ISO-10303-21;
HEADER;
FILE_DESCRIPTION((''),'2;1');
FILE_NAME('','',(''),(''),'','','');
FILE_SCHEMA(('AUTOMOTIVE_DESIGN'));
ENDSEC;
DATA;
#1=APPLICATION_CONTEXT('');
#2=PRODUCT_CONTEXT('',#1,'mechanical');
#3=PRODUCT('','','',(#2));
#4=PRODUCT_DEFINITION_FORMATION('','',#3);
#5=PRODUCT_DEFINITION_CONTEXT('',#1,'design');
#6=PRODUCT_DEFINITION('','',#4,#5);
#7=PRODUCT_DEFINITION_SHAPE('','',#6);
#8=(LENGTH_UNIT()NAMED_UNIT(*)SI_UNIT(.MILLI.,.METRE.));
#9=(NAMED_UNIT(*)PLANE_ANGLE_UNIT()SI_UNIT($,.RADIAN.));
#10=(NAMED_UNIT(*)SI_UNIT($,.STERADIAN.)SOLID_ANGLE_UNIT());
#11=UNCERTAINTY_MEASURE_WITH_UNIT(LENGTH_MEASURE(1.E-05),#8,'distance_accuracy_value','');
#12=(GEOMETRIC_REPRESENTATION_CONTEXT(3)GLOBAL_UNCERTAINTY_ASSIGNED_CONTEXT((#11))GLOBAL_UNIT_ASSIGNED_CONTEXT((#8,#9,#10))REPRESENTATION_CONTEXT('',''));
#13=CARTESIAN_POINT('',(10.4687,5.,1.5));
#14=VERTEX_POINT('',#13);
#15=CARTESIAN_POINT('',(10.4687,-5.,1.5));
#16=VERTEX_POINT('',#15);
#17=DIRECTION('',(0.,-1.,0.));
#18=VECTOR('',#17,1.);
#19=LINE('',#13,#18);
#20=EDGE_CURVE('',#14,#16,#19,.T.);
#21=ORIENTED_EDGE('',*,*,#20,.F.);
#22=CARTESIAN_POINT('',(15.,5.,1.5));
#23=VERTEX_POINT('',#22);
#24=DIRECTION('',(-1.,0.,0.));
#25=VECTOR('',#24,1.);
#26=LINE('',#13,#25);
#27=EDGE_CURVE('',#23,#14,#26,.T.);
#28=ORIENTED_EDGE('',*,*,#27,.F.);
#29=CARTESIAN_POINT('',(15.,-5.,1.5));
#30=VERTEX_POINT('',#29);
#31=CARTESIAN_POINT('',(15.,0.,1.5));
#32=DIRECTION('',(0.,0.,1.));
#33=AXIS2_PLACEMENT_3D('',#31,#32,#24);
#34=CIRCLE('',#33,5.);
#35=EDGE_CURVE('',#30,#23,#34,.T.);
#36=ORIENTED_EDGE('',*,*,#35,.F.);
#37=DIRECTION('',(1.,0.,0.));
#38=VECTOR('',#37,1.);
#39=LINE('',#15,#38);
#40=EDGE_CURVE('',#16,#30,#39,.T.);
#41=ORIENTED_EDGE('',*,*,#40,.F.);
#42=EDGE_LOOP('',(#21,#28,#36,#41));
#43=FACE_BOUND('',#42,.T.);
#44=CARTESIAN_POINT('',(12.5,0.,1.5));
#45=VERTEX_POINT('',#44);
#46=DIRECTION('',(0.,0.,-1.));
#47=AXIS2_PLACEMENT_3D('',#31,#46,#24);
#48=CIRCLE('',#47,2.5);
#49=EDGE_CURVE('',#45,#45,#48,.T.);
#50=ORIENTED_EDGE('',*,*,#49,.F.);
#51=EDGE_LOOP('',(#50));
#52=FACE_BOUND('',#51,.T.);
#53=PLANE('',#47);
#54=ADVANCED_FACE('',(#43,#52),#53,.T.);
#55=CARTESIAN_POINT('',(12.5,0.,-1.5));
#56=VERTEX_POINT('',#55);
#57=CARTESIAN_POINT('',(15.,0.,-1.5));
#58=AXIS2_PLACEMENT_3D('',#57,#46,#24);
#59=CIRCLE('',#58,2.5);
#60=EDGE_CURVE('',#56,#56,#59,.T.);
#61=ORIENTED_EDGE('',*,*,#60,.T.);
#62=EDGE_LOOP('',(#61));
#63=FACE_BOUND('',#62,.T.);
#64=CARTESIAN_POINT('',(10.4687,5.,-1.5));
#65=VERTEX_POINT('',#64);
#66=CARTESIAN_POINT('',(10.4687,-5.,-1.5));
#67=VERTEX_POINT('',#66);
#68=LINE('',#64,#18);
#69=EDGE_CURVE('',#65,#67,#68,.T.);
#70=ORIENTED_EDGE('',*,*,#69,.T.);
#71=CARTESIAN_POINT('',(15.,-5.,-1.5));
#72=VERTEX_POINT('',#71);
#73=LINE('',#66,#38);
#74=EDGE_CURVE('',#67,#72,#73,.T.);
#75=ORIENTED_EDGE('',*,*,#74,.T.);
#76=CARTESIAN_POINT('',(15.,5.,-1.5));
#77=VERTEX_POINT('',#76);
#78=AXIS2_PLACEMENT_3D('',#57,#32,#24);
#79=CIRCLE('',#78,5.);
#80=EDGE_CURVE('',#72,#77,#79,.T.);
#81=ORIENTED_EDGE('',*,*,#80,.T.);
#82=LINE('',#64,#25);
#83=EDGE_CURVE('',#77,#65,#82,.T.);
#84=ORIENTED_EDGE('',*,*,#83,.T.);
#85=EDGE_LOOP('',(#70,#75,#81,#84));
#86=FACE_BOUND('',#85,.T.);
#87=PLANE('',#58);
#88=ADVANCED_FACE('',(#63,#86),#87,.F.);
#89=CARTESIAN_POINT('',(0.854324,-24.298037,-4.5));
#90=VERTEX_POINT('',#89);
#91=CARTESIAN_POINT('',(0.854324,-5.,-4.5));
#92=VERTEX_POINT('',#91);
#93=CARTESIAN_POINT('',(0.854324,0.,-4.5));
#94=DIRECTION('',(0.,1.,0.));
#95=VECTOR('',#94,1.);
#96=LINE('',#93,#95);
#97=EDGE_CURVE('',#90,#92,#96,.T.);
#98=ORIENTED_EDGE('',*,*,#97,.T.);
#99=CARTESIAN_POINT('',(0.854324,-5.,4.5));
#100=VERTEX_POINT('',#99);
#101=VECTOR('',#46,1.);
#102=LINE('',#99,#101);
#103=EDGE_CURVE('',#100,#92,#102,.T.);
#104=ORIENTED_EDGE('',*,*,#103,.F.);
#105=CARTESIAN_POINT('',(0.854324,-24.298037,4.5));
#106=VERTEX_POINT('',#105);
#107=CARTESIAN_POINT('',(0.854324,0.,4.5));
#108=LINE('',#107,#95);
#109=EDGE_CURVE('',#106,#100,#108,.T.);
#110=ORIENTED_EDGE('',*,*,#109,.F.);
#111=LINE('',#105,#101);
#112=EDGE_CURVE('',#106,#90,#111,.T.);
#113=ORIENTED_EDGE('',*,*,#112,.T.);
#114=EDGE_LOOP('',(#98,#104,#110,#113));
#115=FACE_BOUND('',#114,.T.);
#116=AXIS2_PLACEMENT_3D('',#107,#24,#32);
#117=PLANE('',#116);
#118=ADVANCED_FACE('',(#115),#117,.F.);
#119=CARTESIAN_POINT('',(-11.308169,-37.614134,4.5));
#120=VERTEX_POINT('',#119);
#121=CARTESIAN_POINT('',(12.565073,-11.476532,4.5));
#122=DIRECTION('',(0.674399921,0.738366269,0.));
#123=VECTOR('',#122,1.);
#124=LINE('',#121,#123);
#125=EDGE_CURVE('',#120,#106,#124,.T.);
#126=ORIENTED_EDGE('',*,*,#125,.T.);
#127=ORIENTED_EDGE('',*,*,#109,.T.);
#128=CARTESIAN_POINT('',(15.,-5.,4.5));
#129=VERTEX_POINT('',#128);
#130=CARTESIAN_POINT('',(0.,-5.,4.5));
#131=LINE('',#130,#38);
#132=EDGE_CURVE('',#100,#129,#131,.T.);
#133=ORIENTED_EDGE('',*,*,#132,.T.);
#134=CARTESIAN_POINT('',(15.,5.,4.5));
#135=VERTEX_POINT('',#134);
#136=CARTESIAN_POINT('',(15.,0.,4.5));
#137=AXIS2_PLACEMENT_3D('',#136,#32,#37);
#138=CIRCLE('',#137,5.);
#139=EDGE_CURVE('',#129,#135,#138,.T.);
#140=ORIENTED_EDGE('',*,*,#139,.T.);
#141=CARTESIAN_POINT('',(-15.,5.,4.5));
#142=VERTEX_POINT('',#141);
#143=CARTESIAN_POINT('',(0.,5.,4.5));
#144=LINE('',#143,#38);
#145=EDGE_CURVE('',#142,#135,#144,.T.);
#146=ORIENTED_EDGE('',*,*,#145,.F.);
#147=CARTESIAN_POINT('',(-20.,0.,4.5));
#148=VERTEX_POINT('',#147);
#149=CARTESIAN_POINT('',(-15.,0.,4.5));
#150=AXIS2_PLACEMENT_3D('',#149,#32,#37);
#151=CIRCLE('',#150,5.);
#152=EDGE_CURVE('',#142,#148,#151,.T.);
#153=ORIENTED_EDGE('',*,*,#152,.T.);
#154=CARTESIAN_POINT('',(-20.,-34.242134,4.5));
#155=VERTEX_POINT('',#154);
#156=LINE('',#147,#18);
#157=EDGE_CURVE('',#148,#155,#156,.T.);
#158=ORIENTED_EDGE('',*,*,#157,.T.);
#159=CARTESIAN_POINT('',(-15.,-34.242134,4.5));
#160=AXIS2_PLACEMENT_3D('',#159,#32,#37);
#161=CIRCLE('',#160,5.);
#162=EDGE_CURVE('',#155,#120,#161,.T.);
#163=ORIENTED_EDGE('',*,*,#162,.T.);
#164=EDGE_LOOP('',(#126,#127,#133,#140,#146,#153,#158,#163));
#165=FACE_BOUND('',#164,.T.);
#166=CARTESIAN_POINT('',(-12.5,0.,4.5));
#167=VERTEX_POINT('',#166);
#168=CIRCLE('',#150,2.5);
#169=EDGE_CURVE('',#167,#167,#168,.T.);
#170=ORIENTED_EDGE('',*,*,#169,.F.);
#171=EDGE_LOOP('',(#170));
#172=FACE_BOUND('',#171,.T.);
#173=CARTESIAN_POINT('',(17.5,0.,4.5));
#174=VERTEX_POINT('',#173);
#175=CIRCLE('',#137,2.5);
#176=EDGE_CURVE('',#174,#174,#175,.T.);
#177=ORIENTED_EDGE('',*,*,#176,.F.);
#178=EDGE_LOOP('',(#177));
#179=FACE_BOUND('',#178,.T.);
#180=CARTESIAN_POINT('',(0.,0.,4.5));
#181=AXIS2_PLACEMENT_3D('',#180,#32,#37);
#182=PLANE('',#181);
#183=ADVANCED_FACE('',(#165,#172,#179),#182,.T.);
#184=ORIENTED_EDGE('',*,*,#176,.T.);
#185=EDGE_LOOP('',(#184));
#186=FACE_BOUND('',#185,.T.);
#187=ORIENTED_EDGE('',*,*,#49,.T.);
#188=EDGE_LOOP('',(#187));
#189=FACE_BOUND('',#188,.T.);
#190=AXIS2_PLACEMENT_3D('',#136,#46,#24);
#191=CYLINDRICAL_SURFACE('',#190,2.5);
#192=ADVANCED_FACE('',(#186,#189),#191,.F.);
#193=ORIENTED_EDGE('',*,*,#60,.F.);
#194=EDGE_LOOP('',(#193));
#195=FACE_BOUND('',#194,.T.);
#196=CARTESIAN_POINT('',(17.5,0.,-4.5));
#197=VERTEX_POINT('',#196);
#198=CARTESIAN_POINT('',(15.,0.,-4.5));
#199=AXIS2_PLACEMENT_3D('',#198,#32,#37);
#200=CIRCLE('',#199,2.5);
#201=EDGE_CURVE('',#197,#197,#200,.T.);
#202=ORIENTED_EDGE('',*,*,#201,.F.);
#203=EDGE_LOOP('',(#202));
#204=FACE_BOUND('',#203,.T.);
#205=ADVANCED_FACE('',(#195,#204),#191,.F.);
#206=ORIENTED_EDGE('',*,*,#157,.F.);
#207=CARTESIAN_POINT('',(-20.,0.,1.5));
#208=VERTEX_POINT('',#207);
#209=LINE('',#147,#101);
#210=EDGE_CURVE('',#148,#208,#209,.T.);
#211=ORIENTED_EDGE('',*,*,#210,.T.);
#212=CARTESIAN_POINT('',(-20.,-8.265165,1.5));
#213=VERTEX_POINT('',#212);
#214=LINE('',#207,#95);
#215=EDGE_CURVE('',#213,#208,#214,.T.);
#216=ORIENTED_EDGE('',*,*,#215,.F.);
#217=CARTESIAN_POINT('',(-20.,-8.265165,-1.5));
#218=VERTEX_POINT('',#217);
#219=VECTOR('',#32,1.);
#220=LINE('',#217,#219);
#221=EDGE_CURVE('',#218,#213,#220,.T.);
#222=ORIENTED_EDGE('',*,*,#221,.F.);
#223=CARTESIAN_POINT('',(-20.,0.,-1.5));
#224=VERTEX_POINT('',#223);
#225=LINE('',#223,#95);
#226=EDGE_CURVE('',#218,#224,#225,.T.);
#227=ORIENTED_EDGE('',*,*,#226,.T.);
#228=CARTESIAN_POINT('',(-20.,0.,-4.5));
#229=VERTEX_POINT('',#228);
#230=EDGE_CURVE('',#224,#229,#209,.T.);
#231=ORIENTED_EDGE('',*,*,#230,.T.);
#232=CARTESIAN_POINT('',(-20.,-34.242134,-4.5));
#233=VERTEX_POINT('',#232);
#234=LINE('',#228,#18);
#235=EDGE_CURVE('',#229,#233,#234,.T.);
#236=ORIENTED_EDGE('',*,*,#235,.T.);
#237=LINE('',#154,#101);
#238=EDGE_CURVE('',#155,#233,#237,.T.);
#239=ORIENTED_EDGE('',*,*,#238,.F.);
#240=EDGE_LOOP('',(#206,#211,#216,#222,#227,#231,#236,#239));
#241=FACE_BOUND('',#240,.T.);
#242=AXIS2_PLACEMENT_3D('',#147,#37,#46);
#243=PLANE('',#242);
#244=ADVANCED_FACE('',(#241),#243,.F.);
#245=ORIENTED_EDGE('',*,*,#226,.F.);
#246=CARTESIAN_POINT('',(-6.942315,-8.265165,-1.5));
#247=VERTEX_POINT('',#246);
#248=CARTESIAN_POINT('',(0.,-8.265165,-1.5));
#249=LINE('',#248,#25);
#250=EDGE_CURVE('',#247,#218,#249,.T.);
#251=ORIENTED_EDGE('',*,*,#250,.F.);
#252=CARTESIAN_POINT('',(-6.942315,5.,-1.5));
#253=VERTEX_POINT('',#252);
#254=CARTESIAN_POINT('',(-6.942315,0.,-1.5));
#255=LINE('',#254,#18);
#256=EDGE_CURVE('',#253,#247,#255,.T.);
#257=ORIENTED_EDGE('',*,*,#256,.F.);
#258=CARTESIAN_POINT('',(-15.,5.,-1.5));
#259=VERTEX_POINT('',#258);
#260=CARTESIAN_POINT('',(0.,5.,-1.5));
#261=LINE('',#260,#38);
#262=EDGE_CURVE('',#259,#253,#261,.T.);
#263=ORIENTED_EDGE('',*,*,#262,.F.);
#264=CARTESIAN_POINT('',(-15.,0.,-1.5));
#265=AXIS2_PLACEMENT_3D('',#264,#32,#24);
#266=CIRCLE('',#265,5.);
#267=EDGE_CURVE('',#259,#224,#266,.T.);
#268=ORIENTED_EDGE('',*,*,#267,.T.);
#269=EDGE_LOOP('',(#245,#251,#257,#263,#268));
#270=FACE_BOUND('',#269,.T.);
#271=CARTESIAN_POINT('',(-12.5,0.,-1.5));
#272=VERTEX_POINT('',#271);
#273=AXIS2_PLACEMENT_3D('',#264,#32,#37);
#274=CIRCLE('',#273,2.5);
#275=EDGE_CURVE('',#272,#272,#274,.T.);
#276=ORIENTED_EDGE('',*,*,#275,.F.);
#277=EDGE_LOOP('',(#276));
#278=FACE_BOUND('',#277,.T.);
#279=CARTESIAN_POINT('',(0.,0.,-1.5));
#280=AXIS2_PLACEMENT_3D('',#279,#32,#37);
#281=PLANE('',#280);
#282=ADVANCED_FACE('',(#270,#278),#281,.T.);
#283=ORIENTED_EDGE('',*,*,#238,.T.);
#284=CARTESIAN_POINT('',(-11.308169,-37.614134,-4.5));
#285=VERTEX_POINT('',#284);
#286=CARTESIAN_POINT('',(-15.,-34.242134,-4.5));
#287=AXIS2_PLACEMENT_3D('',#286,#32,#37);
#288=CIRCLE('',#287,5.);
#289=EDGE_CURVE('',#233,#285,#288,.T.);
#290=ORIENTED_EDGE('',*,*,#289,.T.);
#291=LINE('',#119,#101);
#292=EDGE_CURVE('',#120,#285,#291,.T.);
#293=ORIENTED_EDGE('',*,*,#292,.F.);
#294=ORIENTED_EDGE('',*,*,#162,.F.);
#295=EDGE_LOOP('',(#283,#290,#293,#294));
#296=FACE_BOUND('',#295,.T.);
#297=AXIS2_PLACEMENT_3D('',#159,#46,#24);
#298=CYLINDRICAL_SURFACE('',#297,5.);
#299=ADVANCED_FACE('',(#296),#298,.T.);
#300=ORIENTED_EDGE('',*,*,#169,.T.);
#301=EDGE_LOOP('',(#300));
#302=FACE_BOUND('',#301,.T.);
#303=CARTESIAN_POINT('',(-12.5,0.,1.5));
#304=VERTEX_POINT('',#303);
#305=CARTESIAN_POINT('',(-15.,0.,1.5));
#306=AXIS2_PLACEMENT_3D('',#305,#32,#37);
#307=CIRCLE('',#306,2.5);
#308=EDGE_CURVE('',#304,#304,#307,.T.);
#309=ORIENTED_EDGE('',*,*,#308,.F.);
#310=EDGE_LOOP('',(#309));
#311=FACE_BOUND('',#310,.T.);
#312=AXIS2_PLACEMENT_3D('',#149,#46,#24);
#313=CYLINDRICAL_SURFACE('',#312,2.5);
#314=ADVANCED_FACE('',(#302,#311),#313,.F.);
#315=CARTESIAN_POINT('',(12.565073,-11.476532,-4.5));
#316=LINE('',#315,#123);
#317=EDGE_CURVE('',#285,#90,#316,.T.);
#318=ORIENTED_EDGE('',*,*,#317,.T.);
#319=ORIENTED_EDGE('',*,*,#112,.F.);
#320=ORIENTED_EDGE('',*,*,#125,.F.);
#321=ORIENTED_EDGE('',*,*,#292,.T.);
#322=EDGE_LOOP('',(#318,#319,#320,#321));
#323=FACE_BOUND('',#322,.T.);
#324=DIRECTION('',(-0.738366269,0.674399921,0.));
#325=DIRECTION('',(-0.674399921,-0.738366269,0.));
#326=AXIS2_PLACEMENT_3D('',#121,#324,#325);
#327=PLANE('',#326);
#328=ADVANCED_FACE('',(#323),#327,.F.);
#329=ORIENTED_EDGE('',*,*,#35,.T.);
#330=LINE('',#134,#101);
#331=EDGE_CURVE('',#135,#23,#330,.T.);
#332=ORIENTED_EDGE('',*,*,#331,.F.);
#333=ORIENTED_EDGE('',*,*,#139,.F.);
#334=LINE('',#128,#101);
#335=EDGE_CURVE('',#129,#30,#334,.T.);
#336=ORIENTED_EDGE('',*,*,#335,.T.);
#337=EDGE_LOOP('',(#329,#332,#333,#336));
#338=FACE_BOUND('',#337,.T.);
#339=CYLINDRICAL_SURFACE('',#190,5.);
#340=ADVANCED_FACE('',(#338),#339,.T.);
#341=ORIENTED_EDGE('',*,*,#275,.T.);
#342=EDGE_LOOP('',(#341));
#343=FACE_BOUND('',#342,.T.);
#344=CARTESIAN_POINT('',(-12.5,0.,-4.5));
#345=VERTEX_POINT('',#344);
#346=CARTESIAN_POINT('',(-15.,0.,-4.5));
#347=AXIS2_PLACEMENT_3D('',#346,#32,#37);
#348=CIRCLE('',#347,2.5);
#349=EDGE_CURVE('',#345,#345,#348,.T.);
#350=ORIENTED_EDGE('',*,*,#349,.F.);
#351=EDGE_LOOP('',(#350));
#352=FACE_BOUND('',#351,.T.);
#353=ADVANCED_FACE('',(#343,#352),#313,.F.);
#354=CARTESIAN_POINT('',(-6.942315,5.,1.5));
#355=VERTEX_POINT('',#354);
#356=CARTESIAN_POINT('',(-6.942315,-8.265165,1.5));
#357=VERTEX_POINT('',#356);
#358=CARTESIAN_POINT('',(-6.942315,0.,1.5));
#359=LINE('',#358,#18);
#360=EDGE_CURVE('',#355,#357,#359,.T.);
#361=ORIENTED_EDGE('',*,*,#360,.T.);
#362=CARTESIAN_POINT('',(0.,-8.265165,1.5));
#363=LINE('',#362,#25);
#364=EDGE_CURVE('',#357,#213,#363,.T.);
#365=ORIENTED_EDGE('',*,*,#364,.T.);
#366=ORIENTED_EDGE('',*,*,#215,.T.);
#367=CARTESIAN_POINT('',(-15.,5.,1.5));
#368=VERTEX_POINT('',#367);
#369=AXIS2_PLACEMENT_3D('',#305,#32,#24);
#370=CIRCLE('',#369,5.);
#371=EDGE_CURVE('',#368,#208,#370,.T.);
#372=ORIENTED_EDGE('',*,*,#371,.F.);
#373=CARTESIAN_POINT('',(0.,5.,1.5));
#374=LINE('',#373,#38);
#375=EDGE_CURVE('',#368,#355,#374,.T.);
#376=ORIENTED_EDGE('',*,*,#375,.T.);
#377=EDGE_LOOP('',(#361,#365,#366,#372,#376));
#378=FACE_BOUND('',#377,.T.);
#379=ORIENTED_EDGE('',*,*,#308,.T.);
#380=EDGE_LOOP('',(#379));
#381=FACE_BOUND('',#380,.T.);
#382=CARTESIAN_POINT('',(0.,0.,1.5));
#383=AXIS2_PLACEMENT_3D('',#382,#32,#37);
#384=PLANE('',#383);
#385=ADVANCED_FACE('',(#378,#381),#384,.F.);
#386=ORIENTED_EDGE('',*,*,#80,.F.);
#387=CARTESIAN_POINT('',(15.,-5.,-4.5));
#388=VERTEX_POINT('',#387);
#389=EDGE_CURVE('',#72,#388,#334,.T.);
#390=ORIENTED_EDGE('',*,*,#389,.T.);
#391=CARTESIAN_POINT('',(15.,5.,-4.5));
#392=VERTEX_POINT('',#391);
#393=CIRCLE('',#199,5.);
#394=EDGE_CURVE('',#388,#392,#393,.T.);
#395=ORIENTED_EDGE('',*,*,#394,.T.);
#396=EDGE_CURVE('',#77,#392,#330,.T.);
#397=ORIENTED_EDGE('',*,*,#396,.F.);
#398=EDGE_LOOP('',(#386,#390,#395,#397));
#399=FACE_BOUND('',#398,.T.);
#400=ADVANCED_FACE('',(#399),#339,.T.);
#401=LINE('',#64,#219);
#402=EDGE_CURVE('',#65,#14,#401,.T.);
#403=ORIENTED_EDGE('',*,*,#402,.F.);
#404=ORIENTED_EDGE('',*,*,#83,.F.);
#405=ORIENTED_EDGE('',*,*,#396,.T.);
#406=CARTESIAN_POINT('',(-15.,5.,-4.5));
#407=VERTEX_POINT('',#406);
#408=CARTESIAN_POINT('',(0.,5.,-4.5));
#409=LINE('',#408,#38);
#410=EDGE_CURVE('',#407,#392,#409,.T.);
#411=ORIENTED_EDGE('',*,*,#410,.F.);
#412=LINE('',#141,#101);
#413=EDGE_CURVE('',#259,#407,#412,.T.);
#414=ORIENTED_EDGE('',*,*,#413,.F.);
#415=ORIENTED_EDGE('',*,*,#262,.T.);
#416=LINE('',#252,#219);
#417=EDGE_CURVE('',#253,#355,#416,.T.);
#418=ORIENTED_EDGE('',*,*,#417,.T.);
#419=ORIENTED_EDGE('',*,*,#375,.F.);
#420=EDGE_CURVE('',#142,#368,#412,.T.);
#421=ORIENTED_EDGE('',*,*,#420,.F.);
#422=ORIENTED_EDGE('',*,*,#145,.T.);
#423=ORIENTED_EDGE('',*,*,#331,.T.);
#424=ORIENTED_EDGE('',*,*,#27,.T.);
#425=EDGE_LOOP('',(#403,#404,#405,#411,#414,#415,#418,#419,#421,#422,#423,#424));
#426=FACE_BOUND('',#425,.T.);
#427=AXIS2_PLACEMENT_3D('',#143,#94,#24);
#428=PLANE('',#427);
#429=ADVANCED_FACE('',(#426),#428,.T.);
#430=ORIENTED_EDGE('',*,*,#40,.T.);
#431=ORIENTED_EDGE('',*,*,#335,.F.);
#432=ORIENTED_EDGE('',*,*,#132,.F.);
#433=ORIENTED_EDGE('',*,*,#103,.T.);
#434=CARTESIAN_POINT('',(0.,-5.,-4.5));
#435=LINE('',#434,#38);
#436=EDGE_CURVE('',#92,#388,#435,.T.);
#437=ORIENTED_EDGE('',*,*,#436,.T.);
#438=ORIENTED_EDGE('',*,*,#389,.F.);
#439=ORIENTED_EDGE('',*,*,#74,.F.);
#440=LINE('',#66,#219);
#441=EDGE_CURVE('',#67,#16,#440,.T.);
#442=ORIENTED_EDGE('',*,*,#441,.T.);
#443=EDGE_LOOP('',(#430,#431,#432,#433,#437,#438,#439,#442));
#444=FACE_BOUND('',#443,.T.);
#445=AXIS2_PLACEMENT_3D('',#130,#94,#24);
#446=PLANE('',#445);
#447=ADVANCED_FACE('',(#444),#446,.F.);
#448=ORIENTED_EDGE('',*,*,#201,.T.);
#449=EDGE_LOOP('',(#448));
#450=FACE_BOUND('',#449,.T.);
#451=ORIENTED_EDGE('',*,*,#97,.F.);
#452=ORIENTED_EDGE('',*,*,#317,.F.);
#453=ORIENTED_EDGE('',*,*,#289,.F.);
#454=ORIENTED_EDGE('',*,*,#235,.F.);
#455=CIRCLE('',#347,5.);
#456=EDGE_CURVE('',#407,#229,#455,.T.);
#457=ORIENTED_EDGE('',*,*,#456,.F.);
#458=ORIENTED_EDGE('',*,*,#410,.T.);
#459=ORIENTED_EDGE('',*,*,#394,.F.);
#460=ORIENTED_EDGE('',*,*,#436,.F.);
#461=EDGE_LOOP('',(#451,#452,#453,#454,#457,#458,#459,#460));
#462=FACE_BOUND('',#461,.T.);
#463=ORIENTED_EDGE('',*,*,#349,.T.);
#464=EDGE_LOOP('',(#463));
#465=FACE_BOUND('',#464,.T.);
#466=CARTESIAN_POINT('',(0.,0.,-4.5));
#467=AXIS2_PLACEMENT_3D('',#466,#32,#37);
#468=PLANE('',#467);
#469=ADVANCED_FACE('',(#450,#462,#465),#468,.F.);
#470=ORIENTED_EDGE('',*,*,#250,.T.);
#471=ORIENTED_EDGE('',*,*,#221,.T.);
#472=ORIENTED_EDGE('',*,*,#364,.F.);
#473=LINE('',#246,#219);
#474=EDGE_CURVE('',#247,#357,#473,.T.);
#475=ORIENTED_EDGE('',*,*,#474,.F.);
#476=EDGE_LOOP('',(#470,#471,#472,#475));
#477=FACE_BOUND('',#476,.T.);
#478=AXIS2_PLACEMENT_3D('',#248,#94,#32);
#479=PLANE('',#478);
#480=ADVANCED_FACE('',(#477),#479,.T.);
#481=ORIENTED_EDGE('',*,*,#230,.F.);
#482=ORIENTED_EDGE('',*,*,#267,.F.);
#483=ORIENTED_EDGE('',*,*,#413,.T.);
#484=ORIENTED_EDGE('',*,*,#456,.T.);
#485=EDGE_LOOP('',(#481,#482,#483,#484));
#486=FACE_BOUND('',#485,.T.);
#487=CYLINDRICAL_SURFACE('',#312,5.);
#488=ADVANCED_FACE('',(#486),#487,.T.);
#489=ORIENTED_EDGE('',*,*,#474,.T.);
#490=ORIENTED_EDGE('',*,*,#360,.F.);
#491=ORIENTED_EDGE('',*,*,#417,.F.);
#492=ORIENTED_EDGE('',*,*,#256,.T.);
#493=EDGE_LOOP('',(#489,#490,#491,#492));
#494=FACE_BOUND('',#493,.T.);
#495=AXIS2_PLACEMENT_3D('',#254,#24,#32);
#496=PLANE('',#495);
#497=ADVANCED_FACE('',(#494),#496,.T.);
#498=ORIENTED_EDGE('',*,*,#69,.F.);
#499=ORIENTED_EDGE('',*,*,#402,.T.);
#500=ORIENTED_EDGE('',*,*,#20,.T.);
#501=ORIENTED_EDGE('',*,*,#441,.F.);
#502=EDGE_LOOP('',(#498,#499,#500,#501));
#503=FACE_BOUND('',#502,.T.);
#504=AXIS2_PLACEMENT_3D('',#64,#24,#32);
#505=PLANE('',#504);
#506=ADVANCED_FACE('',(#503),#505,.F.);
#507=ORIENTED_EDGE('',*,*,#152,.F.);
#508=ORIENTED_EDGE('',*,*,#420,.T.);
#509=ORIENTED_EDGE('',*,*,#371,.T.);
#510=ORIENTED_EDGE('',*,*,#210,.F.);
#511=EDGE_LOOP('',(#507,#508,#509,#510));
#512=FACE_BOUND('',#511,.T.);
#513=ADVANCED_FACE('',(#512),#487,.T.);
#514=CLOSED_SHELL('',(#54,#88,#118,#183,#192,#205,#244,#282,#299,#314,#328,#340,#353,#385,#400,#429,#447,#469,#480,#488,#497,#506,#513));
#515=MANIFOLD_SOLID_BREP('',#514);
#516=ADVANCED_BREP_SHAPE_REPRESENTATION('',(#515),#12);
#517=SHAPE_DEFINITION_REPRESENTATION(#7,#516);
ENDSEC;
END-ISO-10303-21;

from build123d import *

# Parameters (mm, degrees)
SKETCH1_R           = 2.5
BOSS_EXTRUDE1_DEPTH = 4.5
CUT_EXTRUDE1_DEPTH  = 1.5
CUT_EXTRUDE2_DEPTH  = 1.5
CUT_EXTRUDE3_DEPTH  = 1.5


with BuildPart() as part:
    # Sketch1 → Boss-Extrude1 (new, symmetric)
    with BuildSketch(Plane.XY):
        with BuildLine():
            Line((15, 5), (-15, 5))
            ThreePointArc((-15, 5), (-18.535533906, 3.535533906), (-20, 0))
            Line((-20, 0), (-20, -34.242134344))
            ThreePointArc((-20, -34.242134344), (-16.808430712, -38.903633927), (-11.308168657, -37.614133948))
            Line((-11.308168657, -37.614133948), (0.85432415, -24.298037441))
            Line((0.85432415, -24.298037441), (0.85432415, -5))
            Line((0.85432415, -5), (15, -5))
            ThreePointArc((15, -5), (20, 0), (15, 5))
        make_face()
        with Locations((-15, 0)):
            Circle(SKETCH1_R, mode=Mode.SUBTRACT)
        with Locations((15, 0)):
            Circle(SKETCH1_R, mode=Mode.SUBTRACT)
    extrude(amount=BOSS_EXTRUDE1_DEPTH, both=True)

    # Sketch2 → Cut-Extrude1 (cut, symmetric)
    with BuildSketch(Plane.XY):
        Polygon((-15, 5), (-6.942314992, 5), (-6.942314992, -8.265165355), (-20, -8.265165355), (-20, 0), align=None)
    extrude(amount=CUT_EXTRUDE1_DEPTH, both=True, mode=Mode.SUBTRACT)

    # Sketch4 → Cut-Extrude2 (cut, symmetric)
    with BuildSketch(Plane.XY):
        with BuildLine():
            Line((-20, 0), (-15, 5))
            ThreePointArc((-15, 5), (-18.535533906, 3.535533906), (-20, 0))
        make_face()
    extrude(amount=CUT_EXTRUDE2_DEPTH, both=True, mode=Mode.SUBTRACT)

    # Sketch5 → Cut-Extrude3 (cut, symmetric)
    with BuildSketch(Plane.XY):
        with BuildLine():
            Line((10.468699528, 5), (10.468699528, -5))
            Line((10.468699528, -5), (15, -5))
            ThreePointArc((15, -5), (20, 0), (15, 5))
            Line((15, 5), (10.468699528, 5))
        make_face()
    extrude(amount=CUT_EXTRUDE3_DEPTH, both=True, mode=Mode.SUBTRACT)


solid = part.part
